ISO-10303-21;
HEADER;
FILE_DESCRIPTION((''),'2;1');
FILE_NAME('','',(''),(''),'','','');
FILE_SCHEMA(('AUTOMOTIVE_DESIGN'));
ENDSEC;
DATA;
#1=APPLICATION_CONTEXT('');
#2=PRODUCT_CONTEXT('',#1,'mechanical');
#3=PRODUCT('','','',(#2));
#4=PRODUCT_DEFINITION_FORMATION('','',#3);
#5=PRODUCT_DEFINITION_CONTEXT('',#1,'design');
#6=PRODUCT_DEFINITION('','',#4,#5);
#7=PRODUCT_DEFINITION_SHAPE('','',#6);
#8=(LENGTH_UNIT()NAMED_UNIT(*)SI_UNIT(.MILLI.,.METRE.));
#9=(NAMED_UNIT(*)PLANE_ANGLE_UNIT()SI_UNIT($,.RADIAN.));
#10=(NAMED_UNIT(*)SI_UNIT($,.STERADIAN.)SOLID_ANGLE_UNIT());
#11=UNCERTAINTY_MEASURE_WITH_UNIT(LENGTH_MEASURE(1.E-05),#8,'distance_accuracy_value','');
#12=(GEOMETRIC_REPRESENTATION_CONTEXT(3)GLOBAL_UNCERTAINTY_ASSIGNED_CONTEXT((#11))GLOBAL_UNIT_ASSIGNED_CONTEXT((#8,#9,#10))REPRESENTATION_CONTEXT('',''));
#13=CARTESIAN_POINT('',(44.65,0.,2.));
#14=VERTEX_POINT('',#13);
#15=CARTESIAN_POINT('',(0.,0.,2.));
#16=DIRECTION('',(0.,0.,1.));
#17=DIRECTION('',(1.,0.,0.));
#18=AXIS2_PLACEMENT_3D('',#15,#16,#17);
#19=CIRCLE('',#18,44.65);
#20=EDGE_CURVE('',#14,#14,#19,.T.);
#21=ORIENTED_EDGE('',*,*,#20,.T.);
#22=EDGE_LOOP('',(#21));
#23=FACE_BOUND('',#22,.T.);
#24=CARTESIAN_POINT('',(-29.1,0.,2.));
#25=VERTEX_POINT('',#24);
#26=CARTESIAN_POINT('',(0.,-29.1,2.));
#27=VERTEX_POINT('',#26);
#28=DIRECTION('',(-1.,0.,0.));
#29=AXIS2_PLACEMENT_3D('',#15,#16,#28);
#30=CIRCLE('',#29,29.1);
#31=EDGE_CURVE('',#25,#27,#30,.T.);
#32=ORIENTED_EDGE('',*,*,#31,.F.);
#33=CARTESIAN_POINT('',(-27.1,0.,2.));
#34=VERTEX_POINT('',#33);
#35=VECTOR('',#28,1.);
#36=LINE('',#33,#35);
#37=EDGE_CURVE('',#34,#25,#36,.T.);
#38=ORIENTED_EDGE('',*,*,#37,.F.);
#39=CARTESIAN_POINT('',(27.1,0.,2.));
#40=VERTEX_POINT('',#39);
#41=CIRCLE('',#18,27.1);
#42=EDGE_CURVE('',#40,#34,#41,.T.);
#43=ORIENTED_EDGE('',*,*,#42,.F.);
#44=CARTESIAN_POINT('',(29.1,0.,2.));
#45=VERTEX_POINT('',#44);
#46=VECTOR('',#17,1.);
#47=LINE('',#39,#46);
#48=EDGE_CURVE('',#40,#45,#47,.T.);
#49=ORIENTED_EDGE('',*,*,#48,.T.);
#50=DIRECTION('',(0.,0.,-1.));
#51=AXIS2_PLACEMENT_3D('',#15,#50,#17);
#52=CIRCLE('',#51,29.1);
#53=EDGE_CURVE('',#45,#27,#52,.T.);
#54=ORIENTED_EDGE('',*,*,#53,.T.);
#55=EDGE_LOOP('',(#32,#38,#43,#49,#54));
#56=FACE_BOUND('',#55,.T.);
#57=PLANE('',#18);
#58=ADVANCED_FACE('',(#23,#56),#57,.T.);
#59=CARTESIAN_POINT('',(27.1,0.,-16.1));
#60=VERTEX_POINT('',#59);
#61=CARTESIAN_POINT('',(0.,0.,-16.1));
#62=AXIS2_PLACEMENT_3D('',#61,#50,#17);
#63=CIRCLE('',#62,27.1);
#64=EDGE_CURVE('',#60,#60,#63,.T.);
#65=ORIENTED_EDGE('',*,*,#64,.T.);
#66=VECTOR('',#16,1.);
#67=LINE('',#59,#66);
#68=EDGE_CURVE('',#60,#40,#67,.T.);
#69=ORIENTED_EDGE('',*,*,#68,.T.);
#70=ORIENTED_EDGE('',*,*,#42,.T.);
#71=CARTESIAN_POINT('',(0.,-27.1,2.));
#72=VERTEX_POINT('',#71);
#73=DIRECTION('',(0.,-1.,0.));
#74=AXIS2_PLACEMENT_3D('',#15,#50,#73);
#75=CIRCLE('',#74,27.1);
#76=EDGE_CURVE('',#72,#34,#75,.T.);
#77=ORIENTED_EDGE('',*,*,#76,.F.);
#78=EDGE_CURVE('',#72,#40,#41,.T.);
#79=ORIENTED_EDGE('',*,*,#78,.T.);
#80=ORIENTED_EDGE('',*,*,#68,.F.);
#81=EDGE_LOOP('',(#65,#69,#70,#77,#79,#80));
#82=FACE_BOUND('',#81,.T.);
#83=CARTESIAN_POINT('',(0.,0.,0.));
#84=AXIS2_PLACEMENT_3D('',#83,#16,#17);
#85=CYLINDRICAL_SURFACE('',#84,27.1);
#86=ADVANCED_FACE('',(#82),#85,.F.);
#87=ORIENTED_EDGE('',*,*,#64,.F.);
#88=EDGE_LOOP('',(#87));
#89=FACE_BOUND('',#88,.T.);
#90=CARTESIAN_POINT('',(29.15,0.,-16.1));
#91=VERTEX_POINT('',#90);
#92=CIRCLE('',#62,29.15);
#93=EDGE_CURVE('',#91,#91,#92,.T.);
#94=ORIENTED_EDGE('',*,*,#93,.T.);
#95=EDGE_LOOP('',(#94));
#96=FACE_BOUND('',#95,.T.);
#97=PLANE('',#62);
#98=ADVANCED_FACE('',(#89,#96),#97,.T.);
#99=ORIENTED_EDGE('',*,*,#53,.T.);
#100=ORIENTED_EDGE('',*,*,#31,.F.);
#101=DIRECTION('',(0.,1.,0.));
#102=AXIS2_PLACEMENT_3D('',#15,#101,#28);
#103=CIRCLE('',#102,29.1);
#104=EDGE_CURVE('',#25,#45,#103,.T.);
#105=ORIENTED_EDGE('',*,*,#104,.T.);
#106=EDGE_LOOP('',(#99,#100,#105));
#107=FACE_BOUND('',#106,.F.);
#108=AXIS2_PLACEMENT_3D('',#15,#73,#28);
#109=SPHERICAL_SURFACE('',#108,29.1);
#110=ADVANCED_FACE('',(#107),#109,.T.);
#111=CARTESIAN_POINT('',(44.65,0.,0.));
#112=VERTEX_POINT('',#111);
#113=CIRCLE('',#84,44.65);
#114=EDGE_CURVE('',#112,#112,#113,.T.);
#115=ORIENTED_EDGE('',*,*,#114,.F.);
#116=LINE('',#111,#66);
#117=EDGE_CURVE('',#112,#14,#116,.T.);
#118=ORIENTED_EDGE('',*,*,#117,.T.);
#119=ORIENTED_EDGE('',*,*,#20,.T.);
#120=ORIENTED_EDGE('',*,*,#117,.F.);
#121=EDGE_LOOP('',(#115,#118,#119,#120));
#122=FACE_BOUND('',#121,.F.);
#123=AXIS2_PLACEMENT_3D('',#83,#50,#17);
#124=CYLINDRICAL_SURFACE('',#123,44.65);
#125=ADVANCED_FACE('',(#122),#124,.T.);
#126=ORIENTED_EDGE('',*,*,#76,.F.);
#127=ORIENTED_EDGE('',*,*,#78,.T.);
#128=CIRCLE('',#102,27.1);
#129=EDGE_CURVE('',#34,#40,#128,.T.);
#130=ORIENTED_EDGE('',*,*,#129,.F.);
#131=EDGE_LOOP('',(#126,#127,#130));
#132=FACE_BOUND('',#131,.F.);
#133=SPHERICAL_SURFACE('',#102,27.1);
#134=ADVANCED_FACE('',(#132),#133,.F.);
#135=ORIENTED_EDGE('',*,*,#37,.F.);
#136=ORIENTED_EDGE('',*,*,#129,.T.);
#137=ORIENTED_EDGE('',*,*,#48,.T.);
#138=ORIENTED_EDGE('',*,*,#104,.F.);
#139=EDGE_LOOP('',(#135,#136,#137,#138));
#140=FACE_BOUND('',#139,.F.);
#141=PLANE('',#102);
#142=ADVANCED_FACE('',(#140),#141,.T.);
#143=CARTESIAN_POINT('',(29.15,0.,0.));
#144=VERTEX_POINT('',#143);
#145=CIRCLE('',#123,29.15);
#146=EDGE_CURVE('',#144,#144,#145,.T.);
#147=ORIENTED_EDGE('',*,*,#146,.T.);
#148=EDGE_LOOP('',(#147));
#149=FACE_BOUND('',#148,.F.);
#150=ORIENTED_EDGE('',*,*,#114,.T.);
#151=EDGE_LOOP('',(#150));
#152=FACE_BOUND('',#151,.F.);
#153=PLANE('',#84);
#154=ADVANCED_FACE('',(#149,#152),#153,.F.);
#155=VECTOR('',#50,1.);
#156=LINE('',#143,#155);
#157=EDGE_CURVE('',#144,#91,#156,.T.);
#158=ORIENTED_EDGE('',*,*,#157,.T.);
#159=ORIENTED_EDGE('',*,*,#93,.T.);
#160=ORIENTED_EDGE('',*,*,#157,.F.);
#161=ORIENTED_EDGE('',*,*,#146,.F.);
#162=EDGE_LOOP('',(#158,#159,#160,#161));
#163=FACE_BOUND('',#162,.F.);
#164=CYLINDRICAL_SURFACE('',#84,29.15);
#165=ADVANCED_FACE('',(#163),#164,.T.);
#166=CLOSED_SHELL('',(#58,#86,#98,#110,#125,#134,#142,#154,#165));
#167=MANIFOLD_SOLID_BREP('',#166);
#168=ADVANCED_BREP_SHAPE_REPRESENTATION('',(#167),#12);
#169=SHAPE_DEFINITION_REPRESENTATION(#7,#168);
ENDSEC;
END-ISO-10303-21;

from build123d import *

# Parameters (mm, degrees)
F0_R     = 44.65
F0_R_2   = 29.1
F0_R_3   = 27.1
F1_DEPTH = 2
F4_ANGLE = 180
F5_R     = 29.15
F5_R_2   = 27.1
F6_DEPTH = 16.1


with BuildPart() as f1:
    # F0 (on Top) → F1 (new body)
    with BuildSketch(Plane.XY):
        Circle(F0_R)
        Circle(F0_R_2, mode=Mode.SUBTRACT)
        Circle(F0_R_2)
        Circle(F0_R_3, mode=Mode.SUBTRACT)
    extrude(amount=F1_DEPTH)

    # F2 (on face) → F4 (revolve)
    with BuildSketch(Plane.XY.offset(2)):
        with BuildLine():
            ThreePointArc((0, -27.1), (-19.1625937702, -19.1625937702), (-27.1, 0))
            Line((-27.1, 0), (-29.1, 0))
            ThreePointArc((-29.1, 0), (-20.5768073325, -20.5768073325), (0, -29.1))
            Line((0, -29.1), (0, -27.1))
        make_face()
    revolve(axis=Axis((0, -28.1, 2), (0, 1, 0)), revolution_arc=F4_ANGLE)

    # F5 (on face) → F6 (join)
    with BuildSketch(Plane(origin=(0, 0, 0), x_dir=(1, 0, 0), z_dir=(0, 0, -1))):
        Circle(F5_R)
        Circle(F5_R_2, mode=Mode.SUBTRACT)
    extrude(amount=F6_DEPTH)


solid = f1.part
